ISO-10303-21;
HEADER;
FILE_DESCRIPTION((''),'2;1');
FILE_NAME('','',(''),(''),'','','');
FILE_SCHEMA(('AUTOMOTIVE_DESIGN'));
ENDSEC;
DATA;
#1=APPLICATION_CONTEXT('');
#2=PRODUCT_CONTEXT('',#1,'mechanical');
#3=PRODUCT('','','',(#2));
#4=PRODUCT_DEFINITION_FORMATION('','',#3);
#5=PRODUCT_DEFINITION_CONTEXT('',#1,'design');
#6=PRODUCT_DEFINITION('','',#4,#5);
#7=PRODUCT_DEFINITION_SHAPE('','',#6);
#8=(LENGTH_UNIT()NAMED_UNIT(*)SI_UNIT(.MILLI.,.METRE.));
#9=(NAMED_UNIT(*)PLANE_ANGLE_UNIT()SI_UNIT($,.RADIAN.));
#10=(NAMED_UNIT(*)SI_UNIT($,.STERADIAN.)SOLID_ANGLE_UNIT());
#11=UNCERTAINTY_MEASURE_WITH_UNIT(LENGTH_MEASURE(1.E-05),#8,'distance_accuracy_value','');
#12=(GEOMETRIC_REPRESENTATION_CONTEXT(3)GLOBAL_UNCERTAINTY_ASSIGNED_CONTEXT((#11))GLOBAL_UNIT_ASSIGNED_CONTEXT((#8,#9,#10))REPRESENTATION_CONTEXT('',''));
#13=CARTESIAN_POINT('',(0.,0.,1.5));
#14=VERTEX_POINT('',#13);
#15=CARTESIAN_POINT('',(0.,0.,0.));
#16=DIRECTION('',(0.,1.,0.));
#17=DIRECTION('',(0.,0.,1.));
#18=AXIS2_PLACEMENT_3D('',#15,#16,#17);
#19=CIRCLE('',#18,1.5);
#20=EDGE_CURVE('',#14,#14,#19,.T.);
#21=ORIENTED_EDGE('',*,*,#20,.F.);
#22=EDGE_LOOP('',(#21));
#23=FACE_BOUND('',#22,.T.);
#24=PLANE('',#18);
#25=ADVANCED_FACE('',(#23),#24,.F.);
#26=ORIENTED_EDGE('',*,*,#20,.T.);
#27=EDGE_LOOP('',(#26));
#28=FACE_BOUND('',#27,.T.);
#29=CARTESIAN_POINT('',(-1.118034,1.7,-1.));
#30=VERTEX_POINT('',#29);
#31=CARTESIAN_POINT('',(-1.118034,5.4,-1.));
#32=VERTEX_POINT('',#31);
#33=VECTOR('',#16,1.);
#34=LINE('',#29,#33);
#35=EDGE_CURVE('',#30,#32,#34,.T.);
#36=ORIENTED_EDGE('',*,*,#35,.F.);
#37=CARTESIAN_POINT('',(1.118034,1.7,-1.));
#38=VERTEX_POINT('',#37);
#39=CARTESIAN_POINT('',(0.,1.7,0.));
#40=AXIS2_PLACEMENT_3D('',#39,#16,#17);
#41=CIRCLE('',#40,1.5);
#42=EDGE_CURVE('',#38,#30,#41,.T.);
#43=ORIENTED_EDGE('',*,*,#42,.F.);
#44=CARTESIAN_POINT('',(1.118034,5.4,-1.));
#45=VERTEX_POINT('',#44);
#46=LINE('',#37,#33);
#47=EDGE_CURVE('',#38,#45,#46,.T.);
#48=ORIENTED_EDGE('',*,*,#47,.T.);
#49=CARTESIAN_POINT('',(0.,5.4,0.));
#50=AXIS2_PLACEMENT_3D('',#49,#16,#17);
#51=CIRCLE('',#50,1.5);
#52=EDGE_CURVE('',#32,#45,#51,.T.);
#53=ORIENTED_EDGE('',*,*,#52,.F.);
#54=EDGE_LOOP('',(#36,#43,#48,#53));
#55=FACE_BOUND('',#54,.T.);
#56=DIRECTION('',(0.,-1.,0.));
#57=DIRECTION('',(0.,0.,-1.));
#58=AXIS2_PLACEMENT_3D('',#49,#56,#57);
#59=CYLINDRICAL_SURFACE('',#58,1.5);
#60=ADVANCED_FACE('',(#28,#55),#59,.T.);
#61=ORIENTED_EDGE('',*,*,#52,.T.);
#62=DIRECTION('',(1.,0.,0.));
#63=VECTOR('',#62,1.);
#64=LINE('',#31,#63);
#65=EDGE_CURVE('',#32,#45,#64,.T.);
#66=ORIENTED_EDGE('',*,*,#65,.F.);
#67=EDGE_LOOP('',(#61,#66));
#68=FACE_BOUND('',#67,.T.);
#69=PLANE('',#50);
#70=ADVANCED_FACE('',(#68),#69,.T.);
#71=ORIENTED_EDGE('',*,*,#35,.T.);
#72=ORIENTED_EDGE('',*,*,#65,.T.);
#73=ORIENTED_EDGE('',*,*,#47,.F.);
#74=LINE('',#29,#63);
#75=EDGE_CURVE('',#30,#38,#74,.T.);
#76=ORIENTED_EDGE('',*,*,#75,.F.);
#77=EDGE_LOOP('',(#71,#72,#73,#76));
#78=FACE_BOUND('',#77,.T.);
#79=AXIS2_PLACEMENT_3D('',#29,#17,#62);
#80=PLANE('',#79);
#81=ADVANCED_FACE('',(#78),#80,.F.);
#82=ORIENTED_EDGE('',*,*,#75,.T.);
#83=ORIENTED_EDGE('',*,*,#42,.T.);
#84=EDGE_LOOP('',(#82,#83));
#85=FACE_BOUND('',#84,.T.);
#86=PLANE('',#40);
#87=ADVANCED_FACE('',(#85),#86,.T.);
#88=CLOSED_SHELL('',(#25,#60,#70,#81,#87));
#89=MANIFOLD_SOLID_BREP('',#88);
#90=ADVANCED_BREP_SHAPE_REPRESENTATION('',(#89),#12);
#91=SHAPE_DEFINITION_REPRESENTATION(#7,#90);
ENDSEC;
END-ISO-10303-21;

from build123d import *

# Parameters (mm, degrees)
SKETCH_1_R          = 1.5
EXTRUDE_1_DEPTH     = 5.4
CUT_EXTRUDE_1_DEPTH = 3.7


with BuildPart() as part:
    # 草图1 → 凸台-拉伸1 (new body)
    with BuildSketch(Plane(origin=(0, 0, 0), x_dir=(1, 0, 0), z_dir=(0, 1, 0))):
        Circle(SKETCH_1_R)
    extrude(amount=EXTRUDE_1_DEPTH)

    # 草图2 → 切除-拉伸1 (cut)
    with BuildSketch(Plane(origin=(0, 5.4, 0), x_dir=(1, 0, 0), z_dir=(0, 1, 0))):
        with BuildLine():
            Line((-1.118033989, 1), (1.118033989, 1))
            ThreePointArc((1.118033989, 1), (0, 1.5), (-1.118033989, 1))
        make_face()
    extrude(amount=-CUT_EXTRUDE_1_DEPTH, mode=Mode.SUBTRACT)


solid = part.part
